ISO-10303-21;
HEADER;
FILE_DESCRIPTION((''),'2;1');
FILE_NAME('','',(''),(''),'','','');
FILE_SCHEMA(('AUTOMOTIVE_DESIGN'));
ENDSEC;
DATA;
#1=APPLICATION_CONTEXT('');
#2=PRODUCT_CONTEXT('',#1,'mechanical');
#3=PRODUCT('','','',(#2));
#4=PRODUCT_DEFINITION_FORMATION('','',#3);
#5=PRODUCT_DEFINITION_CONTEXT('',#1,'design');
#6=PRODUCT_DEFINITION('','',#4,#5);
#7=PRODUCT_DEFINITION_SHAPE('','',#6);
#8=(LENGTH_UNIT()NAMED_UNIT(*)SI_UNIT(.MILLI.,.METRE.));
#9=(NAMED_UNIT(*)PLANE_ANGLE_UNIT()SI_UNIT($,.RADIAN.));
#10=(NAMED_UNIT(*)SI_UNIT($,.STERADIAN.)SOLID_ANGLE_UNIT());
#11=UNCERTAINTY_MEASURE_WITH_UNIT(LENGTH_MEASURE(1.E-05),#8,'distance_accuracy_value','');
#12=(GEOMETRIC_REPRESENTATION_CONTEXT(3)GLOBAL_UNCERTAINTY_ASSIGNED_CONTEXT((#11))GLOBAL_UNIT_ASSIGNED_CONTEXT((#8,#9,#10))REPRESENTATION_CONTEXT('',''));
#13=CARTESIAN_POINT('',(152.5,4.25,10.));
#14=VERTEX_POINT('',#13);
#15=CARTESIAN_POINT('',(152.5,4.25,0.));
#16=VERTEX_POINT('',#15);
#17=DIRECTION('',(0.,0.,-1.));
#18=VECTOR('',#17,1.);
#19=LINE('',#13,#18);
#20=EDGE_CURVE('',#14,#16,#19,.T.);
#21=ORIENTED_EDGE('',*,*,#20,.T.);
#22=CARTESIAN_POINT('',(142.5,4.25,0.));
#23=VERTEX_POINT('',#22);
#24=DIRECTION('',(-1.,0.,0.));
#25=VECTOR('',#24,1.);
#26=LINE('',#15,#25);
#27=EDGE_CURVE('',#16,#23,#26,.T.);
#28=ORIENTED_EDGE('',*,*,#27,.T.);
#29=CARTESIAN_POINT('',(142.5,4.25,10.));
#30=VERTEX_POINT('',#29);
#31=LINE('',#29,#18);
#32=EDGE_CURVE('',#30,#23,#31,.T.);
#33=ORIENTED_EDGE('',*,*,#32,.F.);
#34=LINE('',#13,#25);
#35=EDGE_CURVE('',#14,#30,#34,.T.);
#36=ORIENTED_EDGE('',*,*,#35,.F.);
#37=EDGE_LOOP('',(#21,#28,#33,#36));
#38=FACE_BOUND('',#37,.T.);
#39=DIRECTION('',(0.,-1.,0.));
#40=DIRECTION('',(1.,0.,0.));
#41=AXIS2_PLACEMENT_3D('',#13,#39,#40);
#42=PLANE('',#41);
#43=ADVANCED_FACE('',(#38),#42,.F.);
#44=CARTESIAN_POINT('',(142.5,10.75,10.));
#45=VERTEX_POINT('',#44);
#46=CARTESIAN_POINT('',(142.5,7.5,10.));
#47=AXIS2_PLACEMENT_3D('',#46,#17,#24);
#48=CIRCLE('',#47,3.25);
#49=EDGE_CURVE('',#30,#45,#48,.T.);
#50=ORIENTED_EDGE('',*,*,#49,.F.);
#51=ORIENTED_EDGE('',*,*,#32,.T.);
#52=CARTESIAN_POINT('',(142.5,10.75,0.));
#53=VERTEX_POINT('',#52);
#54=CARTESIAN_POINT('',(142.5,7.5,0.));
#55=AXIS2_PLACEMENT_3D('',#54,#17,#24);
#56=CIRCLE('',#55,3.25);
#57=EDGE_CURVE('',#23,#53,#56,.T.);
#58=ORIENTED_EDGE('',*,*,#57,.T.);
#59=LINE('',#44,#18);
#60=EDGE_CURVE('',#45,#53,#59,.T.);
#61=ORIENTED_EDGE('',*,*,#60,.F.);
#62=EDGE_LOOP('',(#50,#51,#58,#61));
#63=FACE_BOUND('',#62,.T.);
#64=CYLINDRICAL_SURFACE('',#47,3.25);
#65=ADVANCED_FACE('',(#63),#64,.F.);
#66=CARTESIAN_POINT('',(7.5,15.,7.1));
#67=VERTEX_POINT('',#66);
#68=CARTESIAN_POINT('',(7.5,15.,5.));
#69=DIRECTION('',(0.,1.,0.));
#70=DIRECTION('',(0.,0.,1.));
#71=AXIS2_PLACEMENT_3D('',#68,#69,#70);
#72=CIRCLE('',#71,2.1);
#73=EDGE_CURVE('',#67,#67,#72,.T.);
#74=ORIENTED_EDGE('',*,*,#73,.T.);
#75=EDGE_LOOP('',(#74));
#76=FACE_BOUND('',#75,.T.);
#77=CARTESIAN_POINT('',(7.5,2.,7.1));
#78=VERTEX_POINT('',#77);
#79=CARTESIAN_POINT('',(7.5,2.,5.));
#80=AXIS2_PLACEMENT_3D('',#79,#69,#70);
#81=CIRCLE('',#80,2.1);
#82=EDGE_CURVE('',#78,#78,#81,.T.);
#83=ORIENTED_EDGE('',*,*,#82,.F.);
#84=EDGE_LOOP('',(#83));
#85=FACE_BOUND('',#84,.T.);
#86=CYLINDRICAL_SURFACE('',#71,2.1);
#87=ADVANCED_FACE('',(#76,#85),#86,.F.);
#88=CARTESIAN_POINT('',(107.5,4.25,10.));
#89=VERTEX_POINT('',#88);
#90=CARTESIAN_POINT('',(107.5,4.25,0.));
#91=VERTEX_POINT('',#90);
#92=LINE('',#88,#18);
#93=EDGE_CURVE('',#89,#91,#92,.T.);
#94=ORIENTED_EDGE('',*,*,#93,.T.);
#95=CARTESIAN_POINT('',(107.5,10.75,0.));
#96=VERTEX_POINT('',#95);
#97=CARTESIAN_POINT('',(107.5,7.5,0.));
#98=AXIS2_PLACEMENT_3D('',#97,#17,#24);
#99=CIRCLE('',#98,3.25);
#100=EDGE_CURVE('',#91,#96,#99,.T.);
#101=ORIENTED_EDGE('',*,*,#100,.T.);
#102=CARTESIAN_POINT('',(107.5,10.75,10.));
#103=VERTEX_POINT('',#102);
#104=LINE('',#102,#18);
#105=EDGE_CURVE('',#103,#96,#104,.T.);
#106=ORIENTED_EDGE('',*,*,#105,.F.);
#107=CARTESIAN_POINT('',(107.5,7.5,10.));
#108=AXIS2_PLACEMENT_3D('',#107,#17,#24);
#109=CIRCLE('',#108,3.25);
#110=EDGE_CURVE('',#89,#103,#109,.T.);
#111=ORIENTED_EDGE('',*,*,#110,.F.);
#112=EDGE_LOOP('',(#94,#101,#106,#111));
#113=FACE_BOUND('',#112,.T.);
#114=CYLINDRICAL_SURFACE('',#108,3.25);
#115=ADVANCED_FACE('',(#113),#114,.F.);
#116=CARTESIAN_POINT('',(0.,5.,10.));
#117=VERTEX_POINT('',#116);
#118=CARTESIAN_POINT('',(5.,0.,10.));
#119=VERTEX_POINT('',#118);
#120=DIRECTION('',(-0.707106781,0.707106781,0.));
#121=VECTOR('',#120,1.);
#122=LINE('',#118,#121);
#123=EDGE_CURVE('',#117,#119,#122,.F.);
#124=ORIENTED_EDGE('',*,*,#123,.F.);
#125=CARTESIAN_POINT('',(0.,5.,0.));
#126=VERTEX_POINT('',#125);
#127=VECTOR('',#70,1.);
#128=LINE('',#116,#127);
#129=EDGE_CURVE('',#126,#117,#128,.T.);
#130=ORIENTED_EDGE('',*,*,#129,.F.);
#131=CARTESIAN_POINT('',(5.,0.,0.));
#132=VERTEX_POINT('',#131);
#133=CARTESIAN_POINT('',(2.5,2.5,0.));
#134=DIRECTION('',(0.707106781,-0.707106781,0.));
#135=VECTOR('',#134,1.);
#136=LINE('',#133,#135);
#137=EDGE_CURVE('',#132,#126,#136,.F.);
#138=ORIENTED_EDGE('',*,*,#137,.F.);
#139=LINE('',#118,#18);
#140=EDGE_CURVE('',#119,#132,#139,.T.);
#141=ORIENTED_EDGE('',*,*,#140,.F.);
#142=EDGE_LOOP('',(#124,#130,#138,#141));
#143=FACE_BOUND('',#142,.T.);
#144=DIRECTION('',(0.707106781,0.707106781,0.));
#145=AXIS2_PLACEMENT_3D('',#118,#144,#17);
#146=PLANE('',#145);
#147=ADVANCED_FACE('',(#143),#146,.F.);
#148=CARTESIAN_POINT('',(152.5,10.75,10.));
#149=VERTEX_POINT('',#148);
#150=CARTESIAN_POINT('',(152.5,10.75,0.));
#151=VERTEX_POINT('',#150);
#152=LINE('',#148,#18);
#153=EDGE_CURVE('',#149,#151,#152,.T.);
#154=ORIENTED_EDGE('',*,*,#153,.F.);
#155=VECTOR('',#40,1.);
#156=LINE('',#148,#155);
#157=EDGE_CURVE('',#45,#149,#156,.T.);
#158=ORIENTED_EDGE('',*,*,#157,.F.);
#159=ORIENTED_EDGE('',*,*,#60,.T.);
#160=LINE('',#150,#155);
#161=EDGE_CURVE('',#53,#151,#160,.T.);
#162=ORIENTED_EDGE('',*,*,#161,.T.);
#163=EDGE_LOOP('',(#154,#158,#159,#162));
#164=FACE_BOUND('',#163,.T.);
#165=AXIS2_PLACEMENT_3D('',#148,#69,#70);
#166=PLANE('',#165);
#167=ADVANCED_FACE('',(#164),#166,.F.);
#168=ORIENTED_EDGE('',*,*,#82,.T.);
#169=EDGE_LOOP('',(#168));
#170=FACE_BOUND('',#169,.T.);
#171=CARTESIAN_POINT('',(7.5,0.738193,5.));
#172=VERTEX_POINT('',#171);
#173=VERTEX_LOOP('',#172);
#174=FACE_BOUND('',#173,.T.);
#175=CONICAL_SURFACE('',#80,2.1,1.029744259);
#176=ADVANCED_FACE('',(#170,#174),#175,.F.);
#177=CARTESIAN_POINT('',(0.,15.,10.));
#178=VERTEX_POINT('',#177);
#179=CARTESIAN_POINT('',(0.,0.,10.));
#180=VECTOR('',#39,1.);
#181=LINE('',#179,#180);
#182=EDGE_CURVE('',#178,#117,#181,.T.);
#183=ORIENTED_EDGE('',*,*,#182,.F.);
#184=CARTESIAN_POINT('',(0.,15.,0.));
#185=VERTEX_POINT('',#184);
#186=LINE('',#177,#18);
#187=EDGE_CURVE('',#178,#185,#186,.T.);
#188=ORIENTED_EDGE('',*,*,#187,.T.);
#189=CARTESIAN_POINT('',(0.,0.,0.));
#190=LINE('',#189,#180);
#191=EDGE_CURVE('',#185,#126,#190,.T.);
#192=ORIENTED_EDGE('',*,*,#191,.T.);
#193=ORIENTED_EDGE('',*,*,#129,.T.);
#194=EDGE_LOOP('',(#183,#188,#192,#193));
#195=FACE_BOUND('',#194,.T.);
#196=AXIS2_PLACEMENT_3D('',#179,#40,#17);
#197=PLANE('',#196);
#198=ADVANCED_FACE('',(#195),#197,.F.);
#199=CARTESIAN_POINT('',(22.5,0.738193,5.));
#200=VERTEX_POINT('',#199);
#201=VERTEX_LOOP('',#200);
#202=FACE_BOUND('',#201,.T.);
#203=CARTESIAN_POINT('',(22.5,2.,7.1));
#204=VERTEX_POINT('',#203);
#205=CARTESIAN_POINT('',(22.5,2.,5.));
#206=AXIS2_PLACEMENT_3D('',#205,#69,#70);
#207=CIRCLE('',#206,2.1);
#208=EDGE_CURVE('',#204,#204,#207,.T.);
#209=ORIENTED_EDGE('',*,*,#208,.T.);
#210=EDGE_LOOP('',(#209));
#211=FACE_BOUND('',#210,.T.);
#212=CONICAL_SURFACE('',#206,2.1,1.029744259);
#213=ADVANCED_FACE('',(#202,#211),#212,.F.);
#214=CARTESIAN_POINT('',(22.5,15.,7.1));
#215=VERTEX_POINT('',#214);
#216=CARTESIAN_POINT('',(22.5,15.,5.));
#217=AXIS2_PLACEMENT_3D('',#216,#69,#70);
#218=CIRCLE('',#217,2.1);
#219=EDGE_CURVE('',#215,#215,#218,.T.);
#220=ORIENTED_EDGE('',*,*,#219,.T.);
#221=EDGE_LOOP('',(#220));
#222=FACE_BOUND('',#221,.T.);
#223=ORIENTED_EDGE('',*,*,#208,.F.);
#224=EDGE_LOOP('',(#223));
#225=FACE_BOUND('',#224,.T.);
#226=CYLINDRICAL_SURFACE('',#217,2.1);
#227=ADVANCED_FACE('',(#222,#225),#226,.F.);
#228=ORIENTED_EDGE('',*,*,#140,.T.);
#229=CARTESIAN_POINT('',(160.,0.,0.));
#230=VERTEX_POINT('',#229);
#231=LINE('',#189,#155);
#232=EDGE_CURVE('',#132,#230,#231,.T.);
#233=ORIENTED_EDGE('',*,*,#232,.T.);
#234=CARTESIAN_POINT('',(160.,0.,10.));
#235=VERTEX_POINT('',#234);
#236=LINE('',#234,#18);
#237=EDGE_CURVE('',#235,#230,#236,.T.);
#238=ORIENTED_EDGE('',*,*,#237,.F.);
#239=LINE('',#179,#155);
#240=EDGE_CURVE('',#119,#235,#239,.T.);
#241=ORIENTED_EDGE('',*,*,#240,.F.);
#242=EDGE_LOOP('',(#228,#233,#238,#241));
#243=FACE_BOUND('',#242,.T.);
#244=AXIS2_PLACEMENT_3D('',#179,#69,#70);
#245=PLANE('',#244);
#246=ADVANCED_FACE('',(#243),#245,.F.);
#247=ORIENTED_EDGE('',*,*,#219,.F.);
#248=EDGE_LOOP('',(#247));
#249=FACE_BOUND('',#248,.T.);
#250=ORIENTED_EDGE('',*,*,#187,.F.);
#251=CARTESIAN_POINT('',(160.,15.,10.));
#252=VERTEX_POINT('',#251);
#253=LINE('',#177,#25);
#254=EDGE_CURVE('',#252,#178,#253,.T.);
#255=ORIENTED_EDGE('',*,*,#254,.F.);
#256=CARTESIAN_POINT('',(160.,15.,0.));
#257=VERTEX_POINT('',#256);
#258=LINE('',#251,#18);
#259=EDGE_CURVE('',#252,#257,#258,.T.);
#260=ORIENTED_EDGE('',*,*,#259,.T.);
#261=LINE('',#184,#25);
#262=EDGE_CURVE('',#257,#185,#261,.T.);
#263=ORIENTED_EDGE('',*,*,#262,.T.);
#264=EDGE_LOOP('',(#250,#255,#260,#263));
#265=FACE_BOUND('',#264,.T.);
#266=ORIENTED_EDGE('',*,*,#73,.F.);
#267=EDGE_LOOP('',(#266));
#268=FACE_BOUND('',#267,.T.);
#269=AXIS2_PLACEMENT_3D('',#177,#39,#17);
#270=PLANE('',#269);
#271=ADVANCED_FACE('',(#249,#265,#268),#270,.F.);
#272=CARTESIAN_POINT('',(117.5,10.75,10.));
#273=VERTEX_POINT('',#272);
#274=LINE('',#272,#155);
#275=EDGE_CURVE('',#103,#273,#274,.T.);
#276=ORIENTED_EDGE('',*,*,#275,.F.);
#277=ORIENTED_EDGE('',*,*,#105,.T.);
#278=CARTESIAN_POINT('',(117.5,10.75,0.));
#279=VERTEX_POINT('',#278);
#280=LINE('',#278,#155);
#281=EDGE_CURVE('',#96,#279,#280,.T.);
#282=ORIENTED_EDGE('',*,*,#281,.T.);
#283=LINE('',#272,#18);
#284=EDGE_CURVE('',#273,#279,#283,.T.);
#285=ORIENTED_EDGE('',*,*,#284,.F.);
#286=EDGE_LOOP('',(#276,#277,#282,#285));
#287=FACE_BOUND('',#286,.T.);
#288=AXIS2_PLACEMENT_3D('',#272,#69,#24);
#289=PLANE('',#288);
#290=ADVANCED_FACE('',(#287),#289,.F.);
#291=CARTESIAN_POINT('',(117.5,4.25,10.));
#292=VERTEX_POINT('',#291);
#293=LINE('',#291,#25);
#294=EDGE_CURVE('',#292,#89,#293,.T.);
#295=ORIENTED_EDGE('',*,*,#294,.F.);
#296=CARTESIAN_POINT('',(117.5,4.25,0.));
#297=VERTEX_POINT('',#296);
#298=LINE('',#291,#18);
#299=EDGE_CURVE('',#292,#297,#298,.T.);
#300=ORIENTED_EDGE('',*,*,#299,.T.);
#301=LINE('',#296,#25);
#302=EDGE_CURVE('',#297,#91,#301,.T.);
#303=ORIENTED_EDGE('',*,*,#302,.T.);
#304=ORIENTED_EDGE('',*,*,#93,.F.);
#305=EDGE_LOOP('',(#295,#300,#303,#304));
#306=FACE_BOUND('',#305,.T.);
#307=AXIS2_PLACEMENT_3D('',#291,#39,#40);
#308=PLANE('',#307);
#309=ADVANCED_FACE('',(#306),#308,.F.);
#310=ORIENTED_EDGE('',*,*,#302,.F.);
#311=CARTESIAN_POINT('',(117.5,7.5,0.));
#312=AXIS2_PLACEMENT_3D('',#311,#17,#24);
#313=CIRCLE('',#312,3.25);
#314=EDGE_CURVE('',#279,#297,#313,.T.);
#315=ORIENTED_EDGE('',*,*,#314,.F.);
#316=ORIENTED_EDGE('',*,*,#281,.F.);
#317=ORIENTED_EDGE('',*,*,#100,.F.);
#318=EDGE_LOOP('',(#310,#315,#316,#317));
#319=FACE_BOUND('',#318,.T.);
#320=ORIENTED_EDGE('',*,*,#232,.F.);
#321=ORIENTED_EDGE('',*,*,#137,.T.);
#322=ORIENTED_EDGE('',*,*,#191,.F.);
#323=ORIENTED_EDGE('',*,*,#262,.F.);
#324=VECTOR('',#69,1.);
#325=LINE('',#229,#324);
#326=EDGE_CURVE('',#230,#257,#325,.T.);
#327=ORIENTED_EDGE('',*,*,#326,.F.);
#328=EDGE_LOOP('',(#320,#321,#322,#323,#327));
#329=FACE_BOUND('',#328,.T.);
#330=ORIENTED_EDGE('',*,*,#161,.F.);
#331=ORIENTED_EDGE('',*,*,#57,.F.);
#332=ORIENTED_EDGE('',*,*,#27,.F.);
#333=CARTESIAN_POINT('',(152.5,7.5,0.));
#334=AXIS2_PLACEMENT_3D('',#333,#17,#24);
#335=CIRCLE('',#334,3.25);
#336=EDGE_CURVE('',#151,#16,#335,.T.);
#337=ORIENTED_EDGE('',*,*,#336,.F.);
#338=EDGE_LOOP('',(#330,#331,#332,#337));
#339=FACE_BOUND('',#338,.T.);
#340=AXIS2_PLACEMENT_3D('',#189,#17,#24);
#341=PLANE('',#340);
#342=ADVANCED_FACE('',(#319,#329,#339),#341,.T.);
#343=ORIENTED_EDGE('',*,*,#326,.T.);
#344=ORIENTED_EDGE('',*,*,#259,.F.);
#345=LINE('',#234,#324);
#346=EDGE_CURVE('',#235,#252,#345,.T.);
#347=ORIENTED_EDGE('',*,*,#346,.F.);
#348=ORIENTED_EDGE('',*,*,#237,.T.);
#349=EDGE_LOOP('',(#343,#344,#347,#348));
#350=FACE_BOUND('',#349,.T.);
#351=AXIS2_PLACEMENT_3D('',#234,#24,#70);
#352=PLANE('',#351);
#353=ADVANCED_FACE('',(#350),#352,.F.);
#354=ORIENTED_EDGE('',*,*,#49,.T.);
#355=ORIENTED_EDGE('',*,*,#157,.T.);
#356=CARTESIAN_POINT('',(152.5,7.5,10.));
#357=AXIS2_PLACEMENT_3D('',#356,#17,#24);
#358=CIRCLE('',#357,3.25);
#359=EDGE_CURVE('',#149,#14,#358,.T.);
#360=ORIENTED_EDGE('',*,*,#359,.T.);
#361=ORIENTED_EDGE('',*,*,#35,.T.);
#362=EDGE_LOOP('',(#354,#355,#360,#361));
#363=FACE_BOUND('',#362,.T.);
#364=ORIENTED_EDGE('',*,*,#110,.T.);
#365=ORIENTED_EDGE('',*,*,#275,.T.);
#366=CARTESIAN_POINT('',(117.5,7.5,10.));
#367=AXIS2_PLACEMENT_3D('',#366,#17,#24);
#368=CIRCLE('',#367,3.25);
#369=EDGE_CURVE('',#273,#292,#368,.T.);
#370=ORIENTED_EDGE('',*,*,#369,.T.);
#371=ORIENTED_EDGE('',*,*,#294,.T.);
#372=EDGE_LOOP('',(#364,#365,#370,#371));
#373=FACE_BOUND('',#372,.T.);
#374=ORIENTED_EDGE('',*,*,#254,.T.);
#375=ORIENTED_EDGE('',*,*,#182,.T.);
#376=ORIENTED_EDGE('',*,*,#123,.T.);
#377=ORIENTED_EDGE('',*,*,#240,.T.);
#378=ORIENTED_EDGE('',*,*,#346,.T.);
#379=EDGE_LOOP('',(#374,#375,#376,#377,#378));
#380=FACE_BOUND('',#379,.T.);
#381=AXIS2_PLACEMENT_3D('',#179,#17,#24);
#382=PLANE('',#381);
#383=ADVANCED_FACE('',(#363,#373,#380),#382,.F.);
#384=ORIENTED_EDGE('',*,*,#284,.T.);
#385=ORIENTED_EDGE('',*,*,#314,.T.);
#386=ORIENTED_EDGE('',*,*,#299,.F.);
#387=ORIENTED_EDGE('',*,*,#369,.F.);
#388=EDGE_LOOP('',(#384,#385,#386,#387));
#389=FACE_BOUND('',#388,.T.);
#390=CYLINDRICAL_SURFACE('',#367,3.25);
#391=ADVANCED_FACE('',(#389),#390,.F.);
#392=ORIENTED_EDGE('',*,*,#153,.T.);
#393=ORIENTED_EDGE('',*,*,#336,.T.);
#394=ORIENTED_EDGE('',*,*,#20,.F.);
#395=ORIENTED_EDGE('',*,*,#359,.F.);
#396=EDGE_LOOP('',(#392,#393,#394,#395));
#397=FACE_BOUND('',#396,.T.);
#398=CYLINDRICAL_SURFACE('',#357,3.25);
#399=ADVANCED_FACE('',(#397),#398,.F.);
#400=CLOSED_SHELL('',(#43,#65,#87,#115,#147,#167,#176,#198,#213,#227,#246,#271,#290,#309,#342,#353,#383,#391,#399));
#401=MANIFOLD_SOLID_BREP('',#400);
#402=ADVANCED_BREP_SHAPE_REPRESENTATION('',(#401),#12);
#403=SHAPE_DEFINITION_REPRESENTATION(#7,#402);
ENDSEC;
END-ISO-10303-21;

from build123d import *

# Parameters (mm, degrees)
SKETCH_1_W             = 160
SKETCH_1_H             = 15
EXTRUDE_1_DEPTH        = 10
HOLE_WIZARD_M5_1_D     = 4.2
HOLE_WIZARD_M5_1_DEPTH = 13
HOLE_WIZARD_M5_1_TIP   = 1.2618073
CHAMFER_1_SIZE         = 5
CUT_EXTRUDE_1_DEPTH    = 10


with BuildPart() as part:
    # 草图1 → 凸台-拉伸1 (new body)
    with BuildSketch(Plane.XY):
        with Locations((80, 7.5)):
            Rectangle(SKETCH_1_W, SKETCH_1_H)
    extrude(amount=EXTRUDE_1_DEPTH)

    # M5 螺纹孔1
    with Locations(Plane(origin=(7.5, 15, 5), x_dir=(0, 0, 1), z_dir=(0, 1, 0))):
        with Locations((0, 0), (0, 15)):
            Hole(HOLE_WIZARD_M5_1_D / 2, depth=HOLE_WIZARD_M5_1_DEPTH)
            with Locations((0, 0, -(HOLE_WIZARD_M5_1_DEPTH + HOLE_WIZARD_M5_1_TIP / 2))):  # 118° drill point
                Cone(0, HOLE_WIZARD_M5_1_D / 2, HOLE_WIZARD_M5_1_TIP, mode=Mode.SUBTRACT)

    # 倒角1
    chamfer_1_edges = [part.edges().sort_by_distance(p)[0] for p in [
        (0, 0, 5),
    ]]
    chamfer(chamfer_1_edges, length=CHAMFER_1_SIZE)

    # 草图4 → 切除-拉伸1 (cut)
    with BuildSketch(Plane(origin=(0, 0, 0), x_dir=(-1, 0, 0), z_dir=(0, 0, -1))):
        with BuildLine():
            Line((-152.5, 10.75), (-142.5, 10.75))
            ThreePointArc((-142.5, 10.75), (-139.25, 7.5), (-142.5, 4.25))
            Line((-142.5, 4.25), (-152.5, 4.25))
            ThreePointArc((-152.5, 4.25), (-155.75, 7.5), (-152.5, 10.75))
        make_face()
        with BuildLine():
            Line((-117.5, 10.75), (-107.5, 10.75))
            ThreePointArc((-107.5, 10.75), (-104.25, 7.5), (-107.5, 4.25))
            Line((-107.5, 4.25), (-117.5, 4.25))
            ThreePointArc((-117.5, 4.25), (-120.75, 7.5), (-117.5, 10.75))
        make_face()
    extrude(amount=-CUT_EXTRUDE_1_DEPTH, mode=Mode.SUBTRACT)


solid = part.part
